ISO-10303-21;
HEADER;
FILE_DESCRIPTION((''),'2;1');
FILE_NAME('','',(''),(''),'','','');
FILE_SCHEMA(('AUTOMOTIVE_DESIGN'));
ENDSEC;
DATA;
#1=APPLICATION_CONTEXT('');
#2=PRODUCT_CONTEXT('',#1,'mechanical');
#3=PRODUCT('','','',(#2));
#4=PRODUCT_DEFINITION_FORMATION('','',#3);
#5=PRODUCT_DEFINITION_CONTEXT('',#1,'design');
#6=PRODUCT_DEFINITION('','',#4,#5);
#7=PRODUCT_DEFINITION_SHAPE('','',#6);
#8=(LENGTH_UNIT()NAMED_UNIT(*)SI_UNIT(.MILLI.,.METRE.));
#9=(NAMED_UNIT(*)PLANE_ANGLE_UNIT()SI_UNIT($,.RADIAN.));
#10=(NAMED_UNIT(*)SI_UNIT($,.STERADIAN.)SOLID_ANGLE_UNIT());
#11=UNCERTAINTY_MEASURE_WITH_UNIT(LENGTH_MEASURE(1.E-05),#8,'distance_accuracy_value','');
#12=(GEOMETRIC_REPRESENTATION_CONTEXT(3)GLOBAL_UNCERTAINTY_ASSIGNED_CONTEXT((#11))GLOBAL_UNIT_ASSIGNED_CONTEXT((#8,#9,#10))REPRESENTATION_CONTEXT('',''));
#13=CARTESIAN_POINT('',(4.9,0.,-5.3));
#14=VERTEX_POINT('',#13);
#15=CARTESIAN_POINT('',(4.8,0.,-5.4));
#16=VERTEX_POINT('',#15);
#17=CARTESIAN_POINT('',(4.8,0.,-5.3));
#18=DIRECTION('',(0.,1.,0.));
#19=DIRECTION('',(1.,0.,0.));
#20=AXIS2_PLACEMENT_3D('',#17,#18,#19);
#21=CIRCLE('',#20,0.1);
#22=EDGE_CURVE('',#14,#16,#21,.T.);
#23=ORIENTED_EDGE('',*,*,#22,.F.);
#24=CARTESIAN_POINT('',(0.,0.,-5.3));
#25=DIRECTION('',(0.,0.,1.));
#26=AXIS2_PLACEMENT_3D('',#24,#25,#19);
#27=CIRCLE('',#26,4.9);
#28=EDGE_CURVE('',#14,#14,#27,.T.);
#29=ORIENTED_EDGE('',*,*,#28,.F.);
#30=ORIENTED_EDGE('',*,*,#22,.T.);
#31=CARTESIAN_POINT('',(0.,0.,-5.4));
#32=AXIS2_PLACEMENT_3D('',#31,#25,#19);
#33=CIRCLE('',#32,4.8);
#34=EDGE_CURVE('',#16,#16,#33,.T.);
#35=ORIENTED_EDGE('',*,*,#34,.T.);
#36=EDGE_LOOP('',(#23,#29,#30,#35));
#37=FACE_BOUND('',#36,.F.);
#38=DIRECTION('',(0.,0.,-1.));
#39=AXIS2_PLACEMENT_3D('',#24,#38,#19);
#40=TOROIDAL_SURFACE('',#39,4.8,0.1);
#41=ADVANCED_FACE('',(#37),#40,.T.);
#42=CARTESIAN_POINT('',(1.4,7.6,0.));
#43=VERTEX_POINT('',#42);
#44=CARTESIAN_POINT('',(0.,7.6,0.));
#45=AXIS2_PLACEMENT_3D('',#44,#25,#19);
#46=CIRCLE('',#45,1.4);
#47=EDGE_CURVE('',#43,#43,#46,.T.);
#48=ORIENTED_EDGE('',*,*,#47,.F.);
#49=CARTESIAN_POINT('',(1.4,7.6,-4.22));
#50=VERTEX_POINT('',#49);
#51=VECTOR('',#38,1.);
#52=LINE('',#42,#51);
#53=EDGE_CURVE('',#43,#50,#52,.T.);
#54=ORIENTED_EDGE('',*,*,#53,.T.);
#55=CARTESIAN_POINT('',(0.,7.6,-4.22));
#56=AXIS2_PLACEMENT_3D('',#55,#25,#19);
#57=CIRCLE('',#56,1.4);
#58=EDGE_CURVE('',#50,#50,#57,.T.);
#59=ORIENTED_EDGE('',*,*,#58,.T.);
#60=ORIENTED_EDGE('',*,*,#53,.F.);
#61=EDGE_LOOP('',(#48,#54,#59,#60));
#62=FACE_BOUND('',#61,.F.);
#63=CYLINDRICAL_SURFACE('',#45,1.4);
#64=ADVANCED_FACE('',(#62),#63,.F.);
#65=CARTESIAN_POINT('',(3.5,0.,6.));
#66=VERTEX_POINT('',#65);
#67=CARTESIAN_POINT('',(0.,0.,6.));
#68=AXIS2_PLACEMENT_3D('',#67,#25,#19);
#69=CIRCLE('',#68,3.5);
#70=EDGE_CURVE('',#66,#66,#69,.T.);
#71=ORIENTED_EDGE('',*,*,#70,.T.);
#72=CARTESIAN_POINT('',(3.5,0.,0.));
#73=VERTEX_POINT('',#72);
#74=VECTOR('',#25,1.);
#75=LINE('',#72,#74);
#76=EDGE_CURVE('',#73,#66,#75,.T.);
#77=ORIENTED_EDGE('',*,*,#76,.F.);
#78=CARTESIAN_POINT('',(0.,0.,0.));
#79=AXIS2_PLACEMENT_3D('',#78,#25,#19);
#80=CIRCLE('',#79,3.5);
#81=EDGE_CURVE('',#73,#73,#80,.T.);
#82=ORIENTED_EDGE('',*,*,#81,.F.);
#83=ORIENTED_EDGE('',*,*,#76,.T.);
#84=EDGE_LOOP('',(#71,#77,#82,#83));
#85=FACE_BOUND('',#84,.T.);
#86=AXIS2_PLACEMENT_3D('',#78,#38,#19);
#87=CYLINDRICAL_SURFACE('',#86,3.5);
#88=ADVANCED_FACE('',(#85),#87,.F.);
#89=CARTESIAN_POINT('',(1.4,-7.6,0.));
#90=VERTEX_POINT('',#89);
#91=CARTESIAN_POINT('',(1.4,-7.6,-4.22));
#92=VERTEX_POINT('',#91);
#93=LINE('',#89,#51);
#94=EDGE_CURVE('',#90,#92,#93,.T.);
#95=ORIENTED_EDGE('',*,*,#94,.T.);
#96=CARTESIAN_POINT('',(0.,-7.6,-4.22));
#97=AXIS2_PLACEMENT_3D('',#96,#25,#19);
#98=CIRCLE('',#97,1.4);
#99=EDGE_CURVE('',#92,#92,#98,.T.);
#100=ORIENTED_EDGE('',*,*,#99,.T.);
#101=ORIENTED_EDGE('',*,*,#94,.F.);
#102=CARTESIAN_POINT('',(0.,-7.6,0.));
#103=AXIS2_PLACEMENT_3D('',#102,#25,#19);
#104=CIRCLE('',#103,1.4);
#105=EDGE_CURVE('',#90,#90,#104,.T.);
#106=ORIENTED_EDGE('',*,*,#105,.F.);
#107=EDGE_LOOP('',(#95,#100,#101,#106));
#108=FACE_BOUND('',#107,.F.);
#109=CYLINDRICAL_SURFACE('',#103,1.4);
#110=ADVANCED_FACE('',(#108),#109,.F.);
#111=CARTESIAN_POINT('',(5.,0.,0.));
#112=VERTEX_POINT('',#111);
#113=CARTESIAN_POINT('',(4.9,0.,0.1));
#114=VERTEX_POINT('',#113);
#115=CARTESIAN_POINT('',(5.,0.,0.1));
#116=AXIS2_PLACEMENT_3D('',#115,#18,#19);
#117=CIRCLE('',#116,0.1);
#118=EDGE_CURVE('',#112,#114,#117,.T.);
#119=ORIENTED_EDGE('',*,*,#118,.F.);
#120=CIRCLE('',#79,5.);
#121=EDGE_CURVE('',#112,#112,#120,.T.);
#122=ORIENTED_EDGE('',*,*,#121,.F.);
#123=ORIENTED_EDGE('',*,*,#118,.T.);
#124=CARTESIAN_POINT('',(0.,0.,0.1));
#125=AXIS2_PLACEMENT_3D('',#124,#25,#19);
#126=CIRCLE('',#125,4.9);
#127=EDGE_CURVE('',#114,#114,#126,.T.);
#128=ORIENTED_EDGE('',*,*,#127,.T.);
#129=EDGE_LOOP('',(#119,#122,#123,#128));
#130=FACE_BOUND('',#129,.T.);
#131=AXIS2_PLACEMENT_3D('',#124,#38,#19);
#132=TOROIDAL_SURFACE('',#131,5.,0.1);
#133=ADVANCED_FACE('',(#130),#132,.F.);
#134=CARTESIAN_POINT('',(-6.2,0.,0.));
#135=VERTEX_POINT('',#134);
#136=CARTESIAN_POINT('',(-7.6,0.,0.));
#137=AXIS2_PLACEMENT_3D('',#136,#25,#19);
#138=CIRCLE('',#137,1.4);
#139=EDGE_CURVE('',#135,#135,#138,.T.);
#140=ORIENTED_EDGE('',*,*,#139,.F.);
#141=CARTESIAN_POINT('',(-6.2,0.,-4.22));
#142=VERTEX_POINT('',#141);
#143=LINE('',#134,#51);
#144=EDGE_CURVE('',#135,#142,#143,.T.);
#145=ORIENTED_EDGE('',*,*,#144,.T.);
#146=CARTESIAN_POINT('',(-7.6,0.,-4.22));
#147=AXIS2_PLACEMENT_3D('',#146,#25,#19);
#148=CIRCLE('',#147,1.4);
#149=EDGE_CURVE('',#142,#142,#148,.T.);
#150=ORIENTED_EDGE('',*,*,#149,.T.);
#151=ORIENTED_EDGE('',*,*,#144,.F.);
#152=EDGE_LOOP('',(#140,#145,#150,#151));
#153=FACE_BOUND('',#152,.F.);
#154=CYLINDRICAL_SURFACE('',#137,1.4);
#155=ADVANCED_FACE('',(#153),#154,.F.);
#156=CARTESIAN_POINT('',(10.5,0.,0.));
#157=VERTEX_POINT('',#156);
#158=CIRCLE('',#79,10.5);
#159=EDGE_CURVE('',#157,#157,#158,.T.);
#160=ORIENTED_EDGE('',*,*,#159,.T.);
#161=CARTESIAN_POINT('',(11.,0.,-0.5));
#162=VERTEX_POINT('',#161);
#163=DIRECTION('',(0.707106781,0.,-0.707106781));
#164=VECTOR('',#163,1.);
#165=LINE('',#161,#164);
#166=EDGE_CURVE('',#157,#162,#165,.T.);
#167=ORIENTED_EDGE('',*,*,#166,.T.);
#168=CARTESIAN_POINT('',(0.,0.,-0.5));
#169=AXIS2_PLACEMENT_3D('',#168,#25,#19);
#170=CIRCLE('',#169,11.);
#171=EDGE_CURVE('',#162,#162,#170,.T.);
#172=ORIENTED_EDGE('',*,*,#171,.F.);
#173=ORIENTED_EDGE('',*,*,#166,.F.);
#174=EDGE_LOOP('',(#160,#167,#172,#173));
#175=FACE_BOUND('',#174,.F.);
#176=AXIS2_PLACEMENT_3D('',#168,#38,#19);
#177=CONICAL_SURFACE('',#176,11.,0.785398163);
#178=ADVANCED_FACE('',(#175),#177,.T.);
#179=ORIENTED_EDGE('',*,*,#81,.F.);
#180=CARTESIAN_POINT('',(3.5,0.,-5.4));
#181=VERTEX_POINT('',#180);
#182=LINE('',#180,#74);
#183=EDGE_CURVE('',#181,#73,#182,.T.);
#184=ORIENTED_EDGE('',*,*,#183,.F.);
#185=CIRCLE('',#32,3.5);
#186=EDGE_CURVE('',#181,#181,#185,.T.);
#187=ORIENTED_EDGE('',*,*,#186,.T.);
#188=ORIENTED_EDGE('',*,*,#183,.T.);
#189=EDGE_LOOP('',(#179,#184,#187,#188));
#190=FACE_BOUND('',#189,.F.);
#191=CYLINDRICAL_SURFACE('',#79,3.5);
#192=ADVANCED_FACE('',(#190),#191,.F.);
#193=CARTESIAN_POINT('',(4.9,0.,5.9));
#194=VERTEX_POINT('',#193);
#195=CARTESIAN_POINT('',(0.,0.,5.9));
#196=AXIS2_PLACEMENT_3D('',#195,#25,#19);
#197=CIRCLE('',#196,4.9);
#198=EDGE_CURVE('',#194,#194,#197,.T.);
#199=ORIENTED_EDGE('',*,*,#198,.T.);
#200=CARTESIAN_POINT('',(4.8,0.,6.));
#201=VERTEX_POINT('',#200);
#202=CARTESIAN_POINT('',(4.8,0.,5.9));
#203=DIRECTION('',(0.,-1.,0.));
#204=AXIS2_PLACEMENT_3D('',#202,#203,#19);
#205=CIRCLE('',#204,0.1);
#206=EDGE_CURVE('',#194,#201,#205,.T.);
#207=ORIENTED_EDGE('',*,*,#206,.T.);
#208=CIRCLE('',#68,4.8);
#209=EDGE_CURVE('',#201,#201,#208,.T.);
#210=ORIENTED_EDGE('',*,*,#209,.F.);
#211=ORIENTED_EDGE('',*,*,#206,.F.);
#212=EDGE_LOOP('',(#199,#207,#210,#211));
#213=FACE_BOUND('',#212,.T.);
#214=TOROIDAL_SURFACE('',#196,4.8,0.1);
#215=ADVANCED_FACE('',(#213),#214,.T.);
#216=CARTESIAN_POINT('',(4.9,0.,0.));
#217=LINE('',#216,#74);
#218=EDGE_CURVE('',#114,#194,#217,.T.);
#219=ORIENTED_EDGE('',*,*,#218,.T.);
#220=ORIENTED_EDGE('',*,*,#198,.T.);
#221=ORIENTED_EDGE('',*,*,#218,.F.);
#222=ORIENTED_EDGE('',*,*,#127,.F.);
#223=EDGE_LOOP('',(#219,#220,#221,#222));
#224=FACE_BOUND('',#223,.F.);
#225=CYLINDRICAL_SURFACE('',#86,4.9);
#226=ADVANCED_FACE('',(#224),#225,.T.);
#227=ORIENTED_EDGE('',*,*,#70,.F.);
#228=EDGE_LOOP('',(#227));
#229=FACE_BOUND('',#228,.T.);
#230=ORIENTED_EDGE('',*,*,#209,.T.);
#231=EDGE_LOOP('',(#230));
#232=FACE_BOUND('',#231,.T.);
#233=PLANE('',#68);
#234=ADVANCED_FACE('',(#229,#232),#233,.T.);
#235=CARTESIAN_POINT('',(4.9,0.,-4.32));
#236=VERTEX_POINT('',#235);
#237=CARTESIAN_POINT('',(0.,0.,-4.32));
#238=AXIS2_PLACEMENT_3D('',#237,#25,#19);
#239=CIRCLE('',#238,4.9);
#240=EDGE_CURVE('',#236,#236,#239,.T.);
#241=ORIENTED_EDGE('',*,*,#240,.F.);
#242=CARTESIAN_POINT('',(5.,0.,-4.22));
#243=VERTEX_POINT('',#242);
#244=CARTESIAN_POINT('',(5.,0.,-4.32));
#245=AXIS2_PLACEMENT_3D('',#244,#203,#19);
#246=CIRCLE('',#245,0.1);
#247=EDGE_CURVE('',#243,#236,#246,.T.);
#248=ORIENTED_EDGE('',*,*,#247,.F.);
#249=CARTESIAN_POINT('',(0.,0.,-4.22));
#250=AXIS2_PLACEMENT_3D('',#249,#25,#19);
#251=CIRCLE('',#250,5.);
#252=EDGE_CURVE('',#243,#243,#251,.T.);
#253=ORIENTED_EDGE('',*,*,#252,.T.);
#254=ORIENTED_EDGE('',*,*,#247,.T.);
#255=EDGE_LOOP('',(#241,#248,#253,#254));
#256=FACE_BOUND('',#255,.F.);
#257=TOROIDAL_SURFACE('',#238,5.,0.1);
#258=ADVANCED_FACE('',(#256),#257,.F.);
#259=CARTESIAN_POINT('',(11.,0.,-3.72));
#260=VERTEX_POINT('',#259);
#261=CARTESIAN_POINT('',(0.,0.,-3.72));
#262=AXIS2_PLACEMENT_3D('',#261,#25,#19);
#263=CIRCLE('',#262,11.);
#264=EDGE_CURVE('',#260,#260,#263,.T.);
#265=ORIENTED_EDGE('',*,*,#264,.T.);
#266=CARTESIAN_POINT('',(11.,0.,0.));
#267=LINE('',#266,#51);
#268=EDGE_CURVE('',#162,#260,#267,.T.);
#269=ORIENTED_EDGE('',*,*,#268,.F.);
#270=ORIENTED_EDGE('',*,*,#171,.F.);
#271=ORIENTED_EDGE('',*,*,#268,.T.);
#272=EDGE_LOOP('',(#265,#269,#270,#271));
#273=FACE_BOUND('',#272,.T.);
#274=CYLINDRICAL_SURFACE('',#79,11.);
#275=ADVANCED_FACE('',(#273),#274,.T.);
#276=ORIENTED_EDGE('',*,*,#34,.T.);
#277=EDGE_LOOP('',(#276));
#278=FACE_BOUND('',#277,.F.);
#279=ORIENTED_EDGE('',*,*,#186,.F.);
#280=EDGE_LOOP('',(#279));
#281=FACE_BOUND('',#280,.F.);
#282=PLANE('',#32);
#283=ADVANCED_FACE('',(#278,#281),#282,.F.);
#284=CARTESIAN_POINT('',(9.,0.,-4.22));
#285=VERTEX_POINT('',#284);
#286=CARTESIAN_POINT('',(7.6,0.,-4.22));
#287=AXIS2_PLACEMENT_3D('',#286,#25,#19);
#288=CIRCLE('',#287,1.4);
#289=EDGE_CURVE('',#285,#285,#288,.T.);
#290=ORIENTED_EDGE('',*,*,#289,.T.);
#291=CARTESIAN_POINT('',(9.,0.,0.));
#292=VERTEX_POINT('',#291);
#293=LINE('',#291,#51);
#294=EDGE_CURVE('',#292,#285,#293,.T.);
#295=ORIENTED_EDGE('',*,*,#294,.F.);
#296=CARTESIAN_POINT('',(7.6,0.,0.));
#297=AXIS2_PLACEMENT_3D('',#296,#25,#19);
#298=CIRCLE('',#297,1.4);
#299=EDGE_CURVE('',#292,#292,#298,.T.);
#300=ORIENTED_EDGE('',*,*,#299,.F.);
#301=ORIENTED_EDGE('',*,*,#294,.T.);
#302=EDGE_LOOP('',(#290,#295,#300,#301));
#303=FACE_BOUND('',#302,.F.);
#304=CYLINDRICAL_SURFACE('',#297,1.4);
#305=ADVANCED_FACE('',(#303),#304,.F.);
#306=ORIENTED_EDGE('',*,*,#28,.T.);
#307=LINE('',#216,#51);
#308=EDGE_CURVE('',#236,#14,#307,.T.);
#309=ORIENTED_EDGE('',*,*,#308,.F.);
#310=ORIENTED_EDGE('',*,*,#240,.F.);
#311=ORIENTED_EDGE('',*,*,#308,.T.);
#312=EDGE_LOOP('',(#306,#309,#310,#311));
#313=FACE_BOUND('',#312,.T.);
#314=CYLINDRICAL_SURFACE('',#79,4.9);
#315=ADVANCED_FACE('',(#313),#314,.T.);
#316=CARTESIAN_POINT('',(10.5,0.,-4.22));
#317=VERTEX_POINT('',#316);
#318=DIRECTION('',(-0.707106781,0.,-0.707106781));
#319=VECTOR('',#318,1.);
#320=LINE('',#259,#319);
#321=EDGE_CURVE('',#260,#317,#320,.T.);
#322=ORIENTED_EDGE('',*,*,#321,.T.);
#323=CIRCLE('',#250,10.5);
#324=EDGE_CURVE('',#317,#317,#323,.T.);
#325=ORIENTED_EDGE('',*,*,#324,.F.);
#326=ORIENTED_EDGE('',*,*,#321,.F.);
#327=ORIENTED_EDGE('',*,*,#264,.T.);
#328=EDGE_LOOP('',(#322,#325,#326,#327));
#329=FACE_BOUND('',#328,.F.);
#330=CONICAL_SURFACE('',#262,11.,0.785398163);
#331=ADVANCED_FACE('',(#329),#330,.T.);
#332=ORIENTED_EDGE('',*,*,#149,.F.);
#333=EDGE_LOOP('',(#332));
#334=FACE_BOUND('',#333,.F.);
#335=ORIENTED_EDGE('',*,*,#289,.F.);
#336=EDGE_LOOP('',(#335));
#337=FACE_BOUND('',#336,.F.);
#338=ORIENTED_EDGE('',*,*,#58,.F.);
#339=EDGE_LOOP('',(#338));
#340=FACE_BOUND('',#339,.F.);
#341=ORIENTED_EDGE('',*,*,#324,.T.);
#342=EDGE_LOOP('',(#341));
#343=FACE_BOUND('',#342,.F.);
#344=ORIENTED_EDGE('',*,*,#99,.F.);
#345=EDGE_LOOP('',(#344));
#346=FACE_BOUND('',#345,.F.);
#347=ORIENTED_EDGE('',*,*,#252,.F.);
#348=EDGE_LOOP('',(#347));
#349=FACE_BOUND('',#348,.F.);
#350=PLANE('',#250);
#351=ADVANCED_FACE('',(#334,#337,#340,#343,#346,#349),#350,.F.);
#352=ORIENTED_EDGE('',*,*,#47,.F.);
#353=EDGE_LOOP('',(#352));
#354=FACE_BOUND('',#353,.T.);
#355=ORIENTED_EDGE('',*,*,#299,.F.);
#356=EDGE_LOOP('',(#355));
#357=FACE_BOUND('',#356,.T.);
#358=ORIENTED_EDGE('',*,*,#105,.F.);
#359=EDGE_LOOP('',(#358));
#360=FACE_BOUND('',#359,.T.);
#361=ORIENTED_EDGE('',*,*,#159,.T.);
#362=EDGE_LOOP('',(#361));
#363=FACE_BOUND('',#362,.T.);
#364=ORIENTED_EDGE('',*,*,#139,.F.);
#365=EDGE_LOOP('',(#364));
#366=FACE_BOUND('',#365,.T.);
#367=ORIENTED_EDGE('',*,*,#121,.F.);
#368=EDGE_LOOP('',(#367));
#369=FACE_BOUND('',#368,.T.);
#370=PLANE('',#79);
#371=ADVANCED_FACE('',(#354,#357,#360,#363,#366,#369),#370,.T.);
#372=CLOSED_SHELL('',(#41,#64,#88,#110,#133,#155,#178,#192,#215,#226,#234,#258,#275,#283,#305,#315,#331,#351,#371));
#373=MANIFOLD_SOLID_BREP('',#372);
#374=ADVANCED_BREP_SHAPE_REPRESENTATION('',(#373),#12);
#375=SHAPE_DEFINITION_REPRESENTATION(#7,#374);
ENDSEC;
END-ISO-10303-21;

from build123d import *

# Parameters (mm, degrees)
F0_R          = 11
F0_R_2        = 1.4
F0_R_3        = 4.9
F0_R_4        = 3.5
F1_DEPTH      = 4.22
F2_DEPTH      = 5.4
F2_DEPTH_BACK = 6
F3_SIZE       = 0.5
F4_R          = 0.1


with BuildPart() as f1:
    # F0 (on Top) → F1 (new body)
    with BuildSketch(Plane.XY):
        Circle(F0_R)
        with Locations((0, -7.6)):
            Circle(F0_R_2, mode=Mode.SUBTRACT)
        with Locations((-7.6, 0)):
            Circle(F0_R_2, mode=Mode.SUBTRACT)
        Circle(F0_R_3, mode=Mode.SUBTRACT)
        with Locations((7.6, 0)):
            Circle(F0_R_2, mode=Mode.SUBTRACT)
        with Locations((0, 7.6)):
            Circle(F0_R_2, mode=Mode.SUBTRACT)
        Circle(F0_R_3)
        Circle(F0_R_4, mode=Mode.SUBTRACT)
    extrude(amount=-F1_DEPTH)

    # F0 (on Top) → F2 (join, two sides)
    with BuildSketch(Plane.XY) as f2_sk:
        Circle(F0_R_3)
        Circle(F0_R_4, mode=Mode.SUBTRACT)
    extrude(amount=-F2_DEPTH)
    extrude(f2_sk.sketch, amount=F2_DEPTH_BACK)

    # F3
    f3_edges = [f1.edges().sort_by_distance(p)[0] for p in [
        (-11, 0, 0),
        (-11, 0, -4.22),
    ]]
    chamfer(f3_edges, length=F3_SIZE)

    # F4
    f4_edges = [f1.edges().sort_by_distance(p)[0] for p in [
        (-4.9, 0, 0),
        (-4.9, 0, 6),
        (-4.9, 0, -4.22),
        (-4.9, 0, -5.4),
    ]]
    fillet(f4_edges, radius=F4_R)


solid = f1.part
